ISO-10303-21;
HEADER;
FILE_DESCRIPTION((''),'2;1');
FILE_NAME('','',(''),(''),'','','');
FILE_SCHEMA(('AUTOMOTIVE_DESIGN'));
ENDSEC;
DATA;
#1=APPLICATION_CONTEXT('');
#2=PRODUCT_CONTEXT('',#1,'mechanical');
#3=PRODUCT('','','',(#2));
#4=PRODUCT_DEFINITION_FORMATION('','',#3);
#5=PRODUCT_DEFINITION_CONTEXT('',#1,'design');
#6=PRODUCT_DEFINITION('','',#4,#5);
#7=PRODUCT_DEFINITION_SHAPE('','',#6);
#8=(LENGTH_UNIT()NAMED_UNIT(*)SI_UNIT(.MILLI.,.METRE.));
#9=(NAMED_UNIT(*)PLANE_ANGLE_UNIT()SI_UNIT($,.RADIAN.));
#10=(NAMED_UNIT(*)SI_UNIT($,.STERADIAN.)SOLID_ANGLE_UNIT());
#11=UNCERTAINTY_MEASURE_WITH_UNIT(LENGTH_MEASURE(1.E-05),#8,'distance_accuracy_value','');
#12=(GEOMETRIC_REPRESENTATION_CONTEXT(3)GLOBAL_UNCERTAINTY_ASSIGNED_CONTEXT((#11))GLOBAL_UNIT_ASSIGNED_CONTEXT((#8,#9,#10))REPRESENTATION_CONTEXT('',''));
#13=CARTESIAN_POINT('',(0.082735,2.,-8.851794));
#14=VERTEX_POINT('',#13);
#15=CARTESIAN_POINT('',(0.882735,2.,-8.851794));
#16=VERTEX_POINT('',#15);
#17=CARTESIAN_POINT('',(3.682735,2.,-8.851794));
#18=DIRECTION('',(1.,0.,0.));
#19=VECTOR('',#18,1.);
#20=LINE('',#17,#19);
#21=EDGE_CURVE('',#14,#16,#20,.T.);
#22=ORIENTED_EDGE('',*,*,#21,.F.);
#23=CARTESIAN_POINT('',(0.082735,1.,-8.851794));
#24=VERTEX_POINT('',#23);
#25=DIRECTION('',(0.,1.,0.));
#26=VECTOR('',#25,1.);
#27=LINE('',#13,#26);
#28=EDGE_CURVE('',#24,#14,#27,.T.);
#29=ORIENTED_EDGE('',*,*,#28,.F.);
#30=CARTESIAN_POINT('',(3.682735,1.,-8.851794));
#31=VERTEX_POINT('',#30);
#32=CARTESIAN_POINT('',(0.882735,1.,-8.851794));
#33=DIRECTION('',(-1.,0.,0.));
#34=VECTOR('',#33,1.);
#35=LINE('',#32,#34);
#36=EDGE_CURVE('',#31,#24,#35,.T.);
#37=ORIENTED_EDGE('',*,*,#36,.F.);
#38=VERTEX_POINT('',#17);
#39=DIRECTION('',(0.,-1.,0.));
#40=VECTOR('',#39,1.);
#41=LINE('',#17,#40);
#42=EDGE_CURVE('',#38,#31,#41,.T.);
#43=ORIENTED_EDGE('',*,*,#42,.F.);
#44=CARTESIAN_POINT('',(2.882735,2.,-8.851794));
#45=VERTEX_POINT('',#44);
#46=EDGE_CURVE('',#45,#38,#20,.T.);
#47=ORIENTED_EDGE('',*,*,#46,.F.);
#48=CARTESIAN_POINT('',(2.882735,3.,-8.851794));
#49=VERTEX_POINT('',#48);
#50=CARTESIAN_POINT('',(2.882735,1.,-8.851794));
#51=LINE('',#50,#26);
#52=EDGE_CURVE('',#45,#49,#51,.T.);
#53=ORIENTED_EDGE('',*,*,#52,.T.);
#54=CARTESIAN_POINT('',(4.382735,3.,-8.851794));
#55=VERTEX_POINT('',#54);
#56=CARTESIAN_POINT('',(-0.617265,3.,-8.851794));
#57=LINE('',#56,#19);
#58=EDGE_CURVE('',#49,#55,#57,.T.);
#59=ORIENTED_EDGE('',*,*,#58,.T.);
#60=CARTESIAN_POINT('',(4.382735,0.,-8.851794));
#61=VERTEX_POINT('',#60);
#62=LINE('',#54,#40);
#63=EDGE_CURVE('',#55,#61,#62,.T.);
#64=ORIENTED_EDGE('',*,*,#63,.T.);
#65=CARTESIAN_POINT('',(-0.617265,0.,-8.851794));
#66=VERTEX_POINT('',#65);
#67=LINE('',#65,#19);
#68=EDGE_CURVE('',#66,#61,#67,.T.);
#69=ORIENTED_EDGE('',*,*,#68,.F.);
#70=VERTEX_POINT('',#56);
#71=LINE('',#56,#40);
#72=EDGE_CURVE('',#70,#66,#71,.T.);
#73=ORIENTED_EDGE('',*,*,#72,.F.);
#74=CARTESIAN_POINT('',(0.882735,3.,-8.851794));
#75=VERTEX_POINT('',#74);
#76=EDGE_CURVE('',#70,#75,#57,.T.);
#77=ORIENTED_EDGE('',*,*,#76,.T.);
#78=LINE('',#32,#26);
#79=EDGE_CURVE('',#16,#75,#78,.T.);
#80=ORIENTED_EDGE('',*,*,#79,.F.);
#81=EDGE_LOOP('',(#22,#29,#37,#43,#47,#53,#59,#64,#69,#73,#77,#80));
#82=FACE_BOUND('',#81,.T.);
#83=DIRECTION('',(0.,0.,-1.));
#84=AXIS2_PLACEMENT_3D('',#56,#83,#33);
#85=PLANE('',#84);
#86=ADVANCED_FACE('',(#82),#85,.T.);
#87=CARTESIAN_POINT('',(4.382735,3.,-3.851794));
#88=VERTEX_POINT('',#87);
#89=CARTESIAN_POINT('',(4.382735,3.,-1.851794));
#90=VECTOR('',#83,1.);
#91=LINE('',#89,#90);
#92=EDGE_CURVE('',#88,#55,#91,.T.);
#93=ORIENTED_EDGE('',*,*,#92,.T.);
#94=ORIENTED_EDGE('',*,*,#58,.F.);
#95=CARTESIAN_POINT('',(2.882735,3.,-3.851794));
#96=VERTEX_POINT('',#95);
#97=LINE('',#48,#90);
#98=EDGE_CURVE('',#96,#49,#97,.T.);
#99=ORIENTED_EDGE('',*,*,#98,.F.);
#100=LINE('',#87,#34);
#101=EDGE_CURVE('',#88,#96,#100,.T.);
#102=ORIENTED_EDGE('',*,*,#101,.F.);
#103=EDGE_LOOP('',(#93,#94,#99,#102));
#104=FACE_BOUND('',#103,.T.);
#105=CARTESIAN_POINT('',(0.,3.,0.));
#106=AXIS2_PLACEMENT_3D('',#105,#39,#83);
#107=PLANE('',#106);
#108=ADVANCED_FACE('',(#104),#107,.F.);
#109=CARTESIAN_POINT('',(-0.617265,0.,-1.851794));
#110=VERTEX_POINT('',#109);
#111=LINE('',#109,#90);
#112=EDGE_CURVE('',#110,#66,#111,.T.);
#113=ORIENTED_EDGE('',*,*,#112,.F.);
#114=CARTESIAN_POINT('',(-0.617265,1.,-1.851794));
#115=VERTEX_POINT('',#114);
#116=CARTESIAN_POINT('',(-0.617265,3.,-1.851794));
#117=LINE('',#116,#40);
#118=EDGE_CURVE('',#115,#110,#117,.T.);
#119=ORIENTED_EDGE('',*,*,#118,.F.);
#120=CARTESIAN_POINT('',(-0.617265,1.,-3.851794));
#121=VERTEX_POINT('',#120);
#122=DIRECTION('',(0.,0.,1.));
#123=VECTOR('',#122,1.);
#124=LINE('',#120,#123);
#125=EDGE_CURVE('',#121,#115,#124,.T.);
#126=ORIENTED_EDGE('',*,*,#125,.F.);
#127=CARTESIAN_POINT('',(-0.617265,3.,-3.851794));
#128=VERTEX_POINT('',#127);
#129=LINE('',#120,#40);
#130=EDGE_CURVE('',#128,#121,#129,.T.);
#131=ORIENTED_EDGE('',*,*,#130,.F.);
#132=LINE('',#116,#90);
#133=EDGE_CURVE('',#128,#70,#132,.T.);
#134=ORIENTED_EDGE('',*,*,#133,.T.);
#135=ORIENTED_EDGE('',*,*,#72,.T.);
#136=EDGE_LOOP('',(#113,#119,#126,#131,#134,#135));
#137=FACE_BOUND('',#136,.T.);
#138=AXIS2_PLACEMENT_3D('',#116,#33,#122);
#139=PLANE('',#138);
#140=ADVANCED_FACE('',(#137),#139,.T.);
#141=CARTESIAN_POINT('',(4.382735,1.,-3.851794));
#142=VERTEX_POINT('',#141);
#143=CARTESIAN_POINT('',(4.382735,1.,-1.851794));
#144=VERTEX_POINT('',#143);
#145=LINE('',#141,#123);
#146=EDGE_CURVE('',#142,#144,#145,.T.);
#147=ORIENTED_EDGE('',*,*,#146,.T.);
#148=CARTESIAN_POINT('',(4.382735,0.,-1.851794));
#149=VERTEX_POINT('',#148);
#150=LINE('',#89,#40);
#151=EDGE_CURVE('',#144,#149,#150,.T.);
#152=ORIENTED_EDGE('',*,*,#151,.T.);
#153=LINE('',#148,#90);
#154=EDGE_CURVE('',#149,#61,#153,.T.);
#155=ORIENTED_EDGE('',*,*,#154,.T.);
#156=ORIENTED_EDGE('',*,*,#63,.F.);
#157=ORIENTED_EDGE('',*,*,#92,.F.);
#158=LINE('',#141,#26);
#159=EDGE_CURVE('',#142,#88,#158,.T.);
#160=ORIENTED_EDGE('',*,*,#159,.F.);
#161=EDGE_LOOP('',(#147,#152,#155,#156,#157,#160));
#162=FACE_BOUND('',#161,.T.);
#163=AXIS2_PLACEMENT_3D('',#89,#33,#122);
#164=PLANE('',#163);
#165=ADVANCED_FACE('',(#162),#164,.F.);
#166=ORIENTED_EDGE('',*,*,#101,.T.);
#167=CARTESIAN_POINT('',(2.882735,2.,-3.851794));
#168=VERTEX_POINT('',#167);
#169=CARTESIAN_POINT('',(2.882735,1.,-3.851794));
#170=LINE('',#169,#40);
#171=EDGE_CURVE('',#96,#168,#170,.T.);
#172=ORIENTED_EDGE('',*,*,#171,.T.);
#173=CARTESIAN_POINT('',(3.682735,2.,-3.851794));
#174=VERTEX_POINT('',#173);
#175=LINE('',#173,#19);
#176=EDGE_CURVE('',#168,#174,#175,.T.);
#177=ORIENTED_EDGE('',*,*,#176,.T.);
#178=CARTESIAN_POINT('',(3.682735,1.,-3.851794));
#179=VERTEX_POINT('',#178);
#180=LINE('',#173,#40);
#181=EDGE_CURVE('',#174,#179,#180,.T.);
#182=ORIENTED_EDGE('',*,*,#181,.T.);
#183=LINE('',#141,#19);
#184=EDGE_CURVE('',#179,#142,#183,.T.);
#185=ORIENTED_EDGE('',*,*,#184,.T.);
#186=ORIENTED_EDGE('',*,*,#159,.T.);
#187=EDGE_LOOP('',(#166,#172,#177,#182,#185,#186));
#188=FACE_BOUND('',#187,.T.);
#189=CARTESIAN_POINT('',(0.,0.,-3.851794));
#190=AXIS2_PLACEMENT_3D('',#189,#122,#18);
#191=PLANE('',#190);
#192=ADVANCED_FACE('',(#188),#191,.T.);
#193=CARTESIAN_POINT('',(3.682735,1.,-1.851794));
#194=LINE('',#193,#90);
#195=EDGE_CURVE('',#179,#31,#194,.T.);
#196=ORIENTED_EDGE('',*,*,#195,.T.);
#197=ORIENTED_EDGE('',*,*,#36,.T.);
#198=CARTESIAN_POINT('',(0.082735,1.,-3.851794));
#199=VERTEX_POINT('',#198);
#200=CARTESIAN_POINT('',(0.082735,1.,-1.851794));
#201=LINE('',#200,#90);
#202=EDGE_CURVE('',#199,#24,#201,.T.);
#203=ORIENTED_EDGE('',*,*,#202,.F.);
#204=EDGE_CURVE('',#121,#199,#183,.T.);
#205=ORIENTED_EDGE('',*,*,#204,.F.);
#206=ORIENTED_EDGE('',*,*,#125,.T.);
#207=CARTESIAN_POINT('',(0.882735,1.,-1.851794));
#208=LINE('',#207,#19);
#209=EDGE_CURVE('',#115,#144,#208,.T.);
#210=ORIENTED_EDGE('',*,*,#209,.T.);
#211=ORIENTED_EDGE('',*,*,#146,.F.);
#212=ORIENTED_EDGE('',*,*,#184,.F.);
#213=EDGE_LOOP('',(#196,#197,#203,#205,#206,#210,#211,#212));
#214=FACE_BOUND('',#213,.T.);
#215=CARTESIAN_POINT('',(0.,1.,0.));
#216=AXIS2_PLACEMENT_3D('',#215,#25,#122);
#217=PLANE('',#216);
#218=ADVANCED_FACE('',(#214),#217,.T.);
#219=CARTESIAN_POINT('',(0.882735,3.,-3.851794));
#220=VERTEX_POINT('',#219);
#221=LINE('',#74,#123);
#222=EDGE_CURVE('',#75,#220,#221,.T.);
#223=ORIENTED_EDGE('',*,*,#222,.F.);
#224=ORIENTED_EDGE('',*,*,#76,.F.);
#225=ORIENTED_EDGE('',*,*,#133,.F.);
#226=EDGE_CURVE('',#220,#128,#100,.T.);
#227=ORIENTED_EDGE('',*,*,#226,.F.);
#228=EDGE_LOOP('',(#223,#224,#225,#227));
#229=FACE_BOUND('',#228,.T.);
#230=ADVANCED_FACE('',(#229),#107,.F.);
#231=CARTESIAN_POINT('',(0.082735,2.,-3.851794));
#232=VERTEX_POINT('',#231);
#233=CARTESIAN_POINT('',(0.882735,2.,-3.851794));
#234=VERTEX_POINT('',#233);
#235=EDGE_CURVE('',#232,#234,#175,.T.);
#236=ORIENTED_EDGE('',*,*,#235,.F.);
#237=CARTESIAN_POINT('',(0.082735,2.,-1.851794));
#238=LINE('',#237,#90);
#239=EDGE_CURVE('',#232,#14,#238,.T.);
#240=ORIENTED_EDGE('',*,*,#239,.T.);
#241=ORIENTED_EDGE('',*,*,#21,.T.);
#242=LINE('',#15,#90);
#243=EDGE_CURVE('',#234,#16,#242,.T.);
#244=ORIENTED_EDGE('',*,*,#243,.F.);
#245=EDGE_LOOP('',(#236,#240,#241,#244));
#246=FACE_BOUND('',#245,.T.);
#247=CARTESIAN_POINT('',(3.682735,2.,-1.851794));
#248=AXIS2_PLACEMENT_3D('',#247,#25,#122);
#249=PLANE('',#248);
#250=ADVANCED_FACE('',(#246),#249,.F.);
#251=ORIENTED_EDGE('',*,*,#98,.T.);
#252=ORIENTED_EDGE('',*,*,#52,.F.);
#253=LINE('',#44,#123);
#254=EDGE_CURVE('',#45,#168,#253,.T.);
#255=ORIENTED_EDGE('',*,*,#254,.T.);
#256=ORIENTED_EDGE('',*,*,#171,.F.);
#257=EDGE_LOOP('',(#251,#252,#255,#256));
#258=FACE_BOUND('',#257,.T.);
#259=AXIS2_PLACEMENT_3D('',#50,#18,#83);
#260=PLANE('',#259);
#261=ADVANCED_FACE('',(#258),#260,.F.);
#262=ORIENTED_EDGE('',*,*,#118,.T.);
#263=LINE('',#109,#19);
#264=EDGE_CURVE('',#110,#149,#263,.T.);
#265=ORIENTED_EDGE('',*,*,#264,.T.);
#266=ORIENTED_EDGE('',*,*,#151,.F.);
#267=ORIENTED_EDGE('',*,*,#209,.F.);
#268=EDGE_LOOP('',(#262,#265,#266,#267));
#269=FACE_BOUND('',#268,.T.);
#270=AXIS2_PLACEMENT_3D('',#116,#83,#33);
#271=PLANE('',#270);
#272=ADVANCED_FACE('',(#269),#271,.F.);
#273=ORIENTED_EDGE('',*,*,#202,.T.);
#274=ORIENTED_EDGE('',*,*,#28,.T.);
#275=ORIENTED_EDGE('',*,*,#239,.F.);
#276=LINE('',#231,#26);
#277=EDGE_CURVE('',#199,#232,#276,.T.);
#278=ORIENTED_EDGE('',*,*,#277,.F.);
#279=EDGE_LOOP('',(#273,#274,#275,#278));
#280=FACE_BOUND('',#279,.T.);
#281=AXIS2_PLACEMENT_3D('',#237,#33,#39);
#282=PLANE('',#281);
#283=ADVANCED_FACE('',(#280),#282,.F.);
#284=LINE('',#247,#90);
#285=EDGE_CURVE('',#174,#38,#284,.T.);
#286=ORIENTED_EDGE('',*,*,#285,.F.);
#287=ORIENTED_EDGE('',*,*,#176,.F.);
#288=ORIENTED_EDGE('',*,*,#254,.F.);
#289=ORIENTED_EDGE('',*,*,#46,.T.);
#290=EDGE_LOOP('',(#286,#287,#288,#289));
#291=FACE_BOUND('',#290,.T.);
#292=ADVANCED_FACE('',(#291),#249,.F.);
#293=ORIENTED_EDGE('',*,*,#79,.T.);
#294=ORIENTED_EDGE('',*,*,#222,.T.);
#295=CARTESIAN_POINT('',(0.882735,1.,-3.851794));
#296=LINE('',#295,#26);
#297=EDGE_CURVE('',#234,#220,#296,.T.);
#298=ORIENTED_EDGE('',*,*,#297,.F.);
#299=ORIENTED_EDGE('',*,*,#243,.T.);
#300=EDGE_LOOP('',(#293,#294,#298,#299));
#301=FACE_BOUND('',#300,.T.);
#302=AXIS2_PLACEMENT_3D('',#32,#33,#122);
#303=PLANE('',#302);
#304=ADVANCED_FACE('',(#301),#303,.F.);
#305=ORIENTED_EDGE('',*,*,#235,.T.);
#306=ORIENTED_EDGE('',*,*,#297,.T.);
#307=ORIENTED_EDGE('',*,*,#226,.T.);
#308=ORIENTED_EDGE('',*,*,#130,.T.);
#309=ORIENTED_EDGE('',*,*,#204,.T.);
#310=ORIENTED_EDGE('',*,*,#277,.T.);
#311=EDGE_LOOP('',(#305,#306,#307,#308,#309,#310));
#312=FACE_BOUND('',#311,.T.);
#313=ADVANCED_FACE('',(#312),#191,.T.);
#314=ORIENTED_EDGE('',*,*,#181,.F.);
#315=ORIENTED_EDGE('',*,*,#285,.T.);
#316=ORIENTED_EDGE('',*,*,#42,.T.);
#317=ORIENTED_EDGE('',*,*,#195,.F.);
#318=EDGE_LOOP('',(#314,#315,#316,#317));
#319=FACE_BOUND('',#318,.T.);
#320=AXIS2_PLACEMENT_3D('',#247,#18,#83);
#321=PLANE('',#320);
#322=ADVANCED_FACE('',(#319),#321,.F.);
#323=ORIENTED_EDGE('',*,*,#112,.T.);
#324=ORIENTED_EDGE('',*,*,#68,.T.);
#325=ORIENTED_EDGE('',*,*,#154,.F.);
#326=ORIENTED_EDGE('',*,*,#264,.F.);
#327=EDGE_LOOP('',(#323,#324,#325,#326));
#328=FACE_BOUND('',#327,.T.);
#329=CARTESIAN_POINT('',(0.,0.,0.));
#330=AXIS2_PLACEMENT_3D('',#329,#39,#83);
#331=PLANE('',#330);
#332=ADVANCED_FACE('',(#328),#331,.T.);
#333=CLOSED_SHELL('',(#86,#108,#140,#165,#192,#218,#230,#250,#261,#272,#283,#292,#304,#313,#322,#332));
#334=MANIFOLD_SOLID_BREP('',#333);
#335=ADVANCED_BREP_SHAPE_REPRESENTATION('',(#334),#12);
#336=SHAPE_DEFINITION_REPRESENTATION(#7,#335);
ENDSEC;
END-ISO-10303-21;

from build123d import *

# Parameters (mm, degrees)
SKETCH1_W           = 5
SKETCH1_H           = 7
BOSS_EXTRUDE1_DEPTH = 3
SKETCH2_W           = 2
SKETCH2_H           = 7
CUT_EXTRUDE1_DEPTH  = 2
SKETCH3_W           = 3.6
SKETCH3_H           = 1
CUT_EXTRUDE2_DEPTH  = 9.786829282
SKETCH4_W           = 5
SKETCH4_H           = 2
CUT_EXTRUDE3_DEPTH  = 2


with BuildPart() as part:
    # Sketch1 → Boss-Extrude1 (new body)
    with BuildSketch(Plane(origin=(0, 0, 0), x_dir=(1, 0, 0), z_dir=(0, 1, 0))):
        with Locations((1.882735313, 5.351794061)):
            Rectangle(SKETCH1_W, SKETCH1_H)
    extrude(amount=BOSS_EXTRUDE1_DEPTH)

    # Sketch2 → Cut-Extrude1 (cut)
    with BuildSketch(Plane(origin=(0, 3, 0), x_dir=(1, 0, 0), z_dir=(0, 1, 0))):
        with Locations((1.882735313, 5.351794061)):
            Rectangle(SKETCH2_W, SKETCH2_H)
    extrude(amount=-CUT_EXTRUDE1_DEPTH, mode=Mode.SUBTRACT)

    # Sketch3 → Cut-Extrude2 (cut, through all)
    with BuildSketch(Plane(origin=(0, 0, -8.851794061), x_dir=(-1, 0, 0), z_dir=(0, 0, -1))):
        with Locations((-1.882735313, 1.5)):
            Rectangle(SKETCH3_W, SKETCH3_H)
    extrude(amount=-CUT_EXTRUDE2_DEPTH, mode=Mode.SUBTRACT)

    # Sketch4 → Cut-Extrude3 (cut)
    with BuildSketch(Plane.XY.offset(-1.851794061)):
        with Locations((1.882735313, 2)):
            Rectangle(SKETCH4_W, SKETCH4_H)
    extrude(amount=-CUT_EXTRUDE3_DEPTH, mode=Mode.SUBTRACT)


solid = part.part
